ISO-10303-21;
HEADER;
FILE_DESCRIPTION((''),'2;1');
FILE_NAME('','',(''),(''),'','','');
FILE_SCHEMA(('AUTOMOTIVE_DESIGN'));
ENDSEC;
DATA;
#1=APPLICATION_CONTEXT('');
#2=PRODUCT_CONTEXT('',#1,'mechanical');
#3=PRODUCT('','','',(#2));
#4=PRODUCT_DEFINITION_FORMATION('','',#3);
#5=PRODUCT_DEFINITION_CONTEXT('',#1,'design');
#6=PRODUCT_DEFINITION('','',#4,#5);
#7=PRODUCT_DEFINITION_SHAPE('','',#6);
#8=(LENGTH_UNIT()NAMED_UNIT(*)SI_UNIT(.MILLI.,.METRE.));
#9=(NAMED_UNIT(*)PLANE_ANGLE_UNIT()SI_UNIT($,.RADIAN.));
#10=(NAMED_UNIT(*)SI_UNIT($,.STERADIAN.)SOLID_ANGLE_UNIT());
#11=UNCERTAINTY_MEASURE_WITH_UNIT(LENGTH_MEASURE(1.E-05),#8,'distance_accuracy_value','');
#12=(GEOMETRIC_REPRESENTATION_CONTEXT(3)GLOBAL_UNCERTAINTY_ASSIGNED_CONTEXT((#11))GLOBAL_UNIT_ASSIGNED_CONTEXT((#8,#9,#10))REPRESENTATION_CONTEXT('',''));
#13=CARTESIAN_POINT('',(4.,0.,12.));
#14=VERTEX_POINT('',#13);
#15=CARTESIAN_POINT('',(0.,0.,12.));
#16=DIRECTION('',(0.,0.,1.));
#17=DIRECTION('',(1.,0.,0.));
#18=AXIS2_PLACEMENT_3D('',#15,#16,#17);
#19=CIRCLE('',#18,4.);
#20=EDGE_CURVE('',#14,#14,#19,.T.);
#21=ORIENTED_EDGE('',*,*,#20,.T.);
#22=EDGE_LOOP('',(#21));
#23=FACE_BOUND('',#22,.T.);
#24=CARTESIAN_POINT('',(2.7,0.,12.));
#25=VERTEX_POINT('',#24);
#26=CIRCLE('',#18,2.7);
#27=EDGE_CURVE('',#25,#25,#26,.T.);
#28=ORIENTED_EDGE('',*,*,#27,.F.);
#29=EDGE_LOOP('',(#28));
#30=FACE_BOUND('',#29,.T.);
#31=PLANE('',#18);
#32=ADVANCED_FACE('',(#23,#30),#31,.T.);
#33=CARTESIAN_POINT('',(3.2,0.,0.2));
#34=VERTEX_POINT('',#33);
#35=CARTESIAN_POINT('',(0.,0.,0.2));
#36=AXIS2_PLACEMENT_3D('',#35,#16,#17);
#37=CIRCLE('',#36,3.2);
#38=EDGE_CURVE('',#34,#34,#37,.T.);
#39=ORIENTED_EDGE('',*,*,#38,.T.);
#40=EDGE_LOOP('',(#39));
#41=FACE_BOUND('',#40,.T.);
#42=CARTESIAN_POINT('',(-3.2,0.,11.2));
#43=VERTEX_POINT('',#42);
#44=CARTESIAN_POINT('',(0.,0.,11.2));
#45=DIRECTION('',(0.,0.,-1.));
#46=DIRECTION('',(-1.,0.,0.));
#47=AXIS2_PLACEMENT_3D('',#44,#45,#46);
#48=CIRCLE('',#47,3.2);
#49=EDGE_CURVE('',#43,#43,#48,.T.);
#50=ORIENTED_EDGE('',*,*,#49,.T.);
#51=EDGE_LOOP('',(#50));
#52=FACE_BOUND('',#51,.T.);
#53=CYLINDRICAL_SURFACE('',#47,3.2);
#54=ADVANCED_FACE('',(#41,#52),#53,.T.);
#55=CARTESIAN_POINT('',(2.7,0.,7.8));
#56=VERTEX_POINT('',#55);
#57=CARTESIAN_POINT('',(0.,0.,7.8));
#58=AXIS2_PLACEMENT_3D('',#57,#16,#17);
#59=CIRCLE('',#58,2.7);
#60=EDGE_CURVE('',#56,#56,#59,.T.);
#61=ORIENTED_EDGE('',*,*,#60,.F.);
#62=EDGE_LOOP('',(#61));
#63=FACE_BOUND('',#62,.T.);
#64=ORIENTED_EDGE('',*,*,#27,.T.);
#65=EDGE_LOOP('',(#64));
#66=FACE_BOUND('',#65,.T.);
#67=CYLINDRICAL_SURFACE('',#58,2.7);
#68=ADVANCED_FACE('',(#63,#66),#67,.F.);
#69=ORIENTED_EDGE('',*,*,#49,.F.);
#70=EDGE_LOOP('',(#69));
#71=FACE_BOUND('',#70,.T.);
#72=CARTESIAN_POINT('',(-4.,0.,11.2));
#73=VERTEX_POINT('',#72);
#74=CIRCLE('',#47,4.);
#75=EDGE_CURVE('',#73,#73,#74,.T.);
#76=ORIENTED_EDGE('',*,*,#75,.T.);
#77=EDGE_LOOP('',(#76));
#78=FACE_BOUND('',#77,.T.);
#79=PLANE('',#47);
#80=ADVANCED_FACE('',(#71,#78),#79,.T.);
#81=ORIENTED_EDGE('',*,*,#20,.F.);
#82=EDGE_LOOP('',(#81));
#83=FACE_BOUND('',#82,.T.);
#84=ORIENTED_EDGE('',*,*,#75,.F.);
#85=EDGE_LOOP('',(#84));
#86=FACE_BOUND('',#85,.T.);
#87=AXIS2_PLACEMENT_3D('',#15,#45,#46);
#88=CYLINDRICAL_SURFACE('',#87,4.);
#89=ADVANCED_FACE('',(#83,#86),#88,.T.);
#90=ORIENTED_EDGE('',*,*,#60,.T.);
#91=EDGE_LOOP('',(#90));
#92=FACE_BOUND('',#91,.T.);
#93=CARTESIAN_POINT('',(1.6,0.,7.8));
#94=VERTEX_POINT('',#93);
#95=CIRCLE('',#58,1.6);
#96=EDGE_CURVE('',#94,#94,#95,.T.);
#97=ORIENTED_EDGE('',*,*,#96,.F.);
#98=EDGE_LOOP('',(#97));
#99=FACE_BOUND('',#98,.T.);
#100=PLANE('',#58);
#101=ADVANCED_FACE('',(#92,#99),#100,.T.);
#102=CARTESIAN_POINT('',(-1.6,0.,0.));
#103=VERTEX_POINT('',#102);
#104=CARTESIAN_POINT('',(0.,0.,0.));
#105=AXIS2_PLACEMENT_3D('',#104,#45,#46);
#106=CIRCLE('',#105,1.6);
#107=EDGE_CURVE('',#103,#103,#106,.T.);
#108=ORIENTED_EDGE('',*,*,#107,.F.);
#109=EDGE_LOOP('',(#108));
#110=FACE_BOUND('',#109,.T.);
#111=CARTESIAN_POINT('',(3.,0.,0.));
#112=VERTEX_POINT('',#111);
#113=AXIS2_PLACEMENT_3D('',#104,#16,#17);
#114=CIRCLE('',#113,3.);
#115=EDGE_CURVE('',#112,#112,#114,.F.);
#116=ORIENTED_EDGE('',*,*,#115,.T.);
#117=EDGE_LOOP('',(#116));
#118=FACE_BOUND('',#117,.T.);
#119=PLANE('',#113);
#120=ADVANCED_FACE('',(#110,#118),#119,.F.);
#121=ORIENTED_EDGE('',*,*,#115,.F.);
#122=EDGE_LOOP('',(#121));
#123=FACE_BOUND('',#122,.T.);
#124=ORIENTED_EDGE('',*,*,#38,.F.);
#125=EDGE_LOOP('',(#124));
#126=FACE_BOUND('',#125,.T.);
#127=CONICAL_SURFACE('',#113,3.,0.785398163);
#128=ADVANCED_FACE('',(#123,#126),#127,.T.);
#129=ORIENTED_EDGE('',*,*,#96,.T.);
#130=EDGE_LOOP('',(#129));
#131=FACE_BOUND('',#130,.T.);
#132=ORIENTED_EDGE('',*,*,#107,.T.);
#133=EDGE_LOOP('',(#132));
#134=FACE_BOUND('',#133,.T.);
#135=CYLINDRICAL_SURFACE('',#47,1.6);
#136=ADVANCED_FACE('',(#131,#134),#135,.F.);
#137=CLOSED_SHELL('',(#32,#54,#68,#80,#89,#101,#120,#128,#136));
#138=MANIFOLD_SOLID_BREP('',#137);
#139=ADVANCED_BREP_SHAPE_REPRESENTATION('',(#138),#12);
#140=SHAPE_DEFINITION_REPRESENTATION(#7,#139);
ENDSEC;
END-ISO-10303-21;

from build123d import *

# Parameters (mm, degrees)
SKETCH_1_R          = 4
EXTRUDE_1_DEPTH     = 12
SKETCH_2_R          = 2.7
CUT_EXTRUDE_1_DEPTH = 4.2
SKETCH_3_OUTSIDE_W  = 13.298
SKETCH_3_OUTSIDE_H  = 13.298
SKETCH_3_OUTSIDE_R  = 3.2
CUT_EXTRUDE_2_DEPTH = 11.2
SKETCH_4_R          = 1.6
CUT_EXTRUDE_3_DEPTH = 11.2
CHAMFER_1_SIZE      = 0.2


with BuildPart() as part:
    # Эскиз1 → Бобышка-Вытянуть1 (new body)
    with BuildSketch(Plane.XY):
        Circle(SKETCH_1_R)
    extrude(amount=EXTRUDE_1_DEPTH)

    # Эскиз2 → Вырез-Вытянуть1 (cut)
    with BuildSketch(Plane.XY.offset(12)):
        Circle(SKETCH_2_R)
    extrude(amount=-CUT_EXTRUDE_1_DEPTH, mode=Mode.SUBTRACT)

    # Эскиз3 outside → Вырез-Вытянуть2 (cut)
    with BuildSketch(Plane(origin=(0, 0, 0), x_dir=(-1, 0, 0), z_dir=(0, 0, -1))):
        Rectangle(SKETCH_3_OUTSIDE_W, SKETCH_3_OUTSIDE_H)
        Circle(SKETCH_3_OUTSIDE_R, mode=Mode.SUBTRACT)
    extrude(amount=-CUT_EXTRUDE_2_DEPTH, mode=Mode.SUBTRACT)

    # Эскиз4 → Вырез-Вытянуть3 (cut)
    with BuildSketch(Plane(origin=(0, 0, 0), x_dir=(-1, 0, 0), z_dir=(0, 0, -1))):
        Circle(SKETCH_4_R)
    extrude(amount=-CUT_EXTRUDE_3_DEPTH, mode=Mode.SUBTRACT)

    # Фаска1
    chamfer_1_edges = [part.edges().sort_by_distance(p)[0] for p in [
        (3.2, 0, 0),
    ]]
    chamfer(chamfer_1_edges, length=CHAMFER_1_SIZE)


solid = part.part
